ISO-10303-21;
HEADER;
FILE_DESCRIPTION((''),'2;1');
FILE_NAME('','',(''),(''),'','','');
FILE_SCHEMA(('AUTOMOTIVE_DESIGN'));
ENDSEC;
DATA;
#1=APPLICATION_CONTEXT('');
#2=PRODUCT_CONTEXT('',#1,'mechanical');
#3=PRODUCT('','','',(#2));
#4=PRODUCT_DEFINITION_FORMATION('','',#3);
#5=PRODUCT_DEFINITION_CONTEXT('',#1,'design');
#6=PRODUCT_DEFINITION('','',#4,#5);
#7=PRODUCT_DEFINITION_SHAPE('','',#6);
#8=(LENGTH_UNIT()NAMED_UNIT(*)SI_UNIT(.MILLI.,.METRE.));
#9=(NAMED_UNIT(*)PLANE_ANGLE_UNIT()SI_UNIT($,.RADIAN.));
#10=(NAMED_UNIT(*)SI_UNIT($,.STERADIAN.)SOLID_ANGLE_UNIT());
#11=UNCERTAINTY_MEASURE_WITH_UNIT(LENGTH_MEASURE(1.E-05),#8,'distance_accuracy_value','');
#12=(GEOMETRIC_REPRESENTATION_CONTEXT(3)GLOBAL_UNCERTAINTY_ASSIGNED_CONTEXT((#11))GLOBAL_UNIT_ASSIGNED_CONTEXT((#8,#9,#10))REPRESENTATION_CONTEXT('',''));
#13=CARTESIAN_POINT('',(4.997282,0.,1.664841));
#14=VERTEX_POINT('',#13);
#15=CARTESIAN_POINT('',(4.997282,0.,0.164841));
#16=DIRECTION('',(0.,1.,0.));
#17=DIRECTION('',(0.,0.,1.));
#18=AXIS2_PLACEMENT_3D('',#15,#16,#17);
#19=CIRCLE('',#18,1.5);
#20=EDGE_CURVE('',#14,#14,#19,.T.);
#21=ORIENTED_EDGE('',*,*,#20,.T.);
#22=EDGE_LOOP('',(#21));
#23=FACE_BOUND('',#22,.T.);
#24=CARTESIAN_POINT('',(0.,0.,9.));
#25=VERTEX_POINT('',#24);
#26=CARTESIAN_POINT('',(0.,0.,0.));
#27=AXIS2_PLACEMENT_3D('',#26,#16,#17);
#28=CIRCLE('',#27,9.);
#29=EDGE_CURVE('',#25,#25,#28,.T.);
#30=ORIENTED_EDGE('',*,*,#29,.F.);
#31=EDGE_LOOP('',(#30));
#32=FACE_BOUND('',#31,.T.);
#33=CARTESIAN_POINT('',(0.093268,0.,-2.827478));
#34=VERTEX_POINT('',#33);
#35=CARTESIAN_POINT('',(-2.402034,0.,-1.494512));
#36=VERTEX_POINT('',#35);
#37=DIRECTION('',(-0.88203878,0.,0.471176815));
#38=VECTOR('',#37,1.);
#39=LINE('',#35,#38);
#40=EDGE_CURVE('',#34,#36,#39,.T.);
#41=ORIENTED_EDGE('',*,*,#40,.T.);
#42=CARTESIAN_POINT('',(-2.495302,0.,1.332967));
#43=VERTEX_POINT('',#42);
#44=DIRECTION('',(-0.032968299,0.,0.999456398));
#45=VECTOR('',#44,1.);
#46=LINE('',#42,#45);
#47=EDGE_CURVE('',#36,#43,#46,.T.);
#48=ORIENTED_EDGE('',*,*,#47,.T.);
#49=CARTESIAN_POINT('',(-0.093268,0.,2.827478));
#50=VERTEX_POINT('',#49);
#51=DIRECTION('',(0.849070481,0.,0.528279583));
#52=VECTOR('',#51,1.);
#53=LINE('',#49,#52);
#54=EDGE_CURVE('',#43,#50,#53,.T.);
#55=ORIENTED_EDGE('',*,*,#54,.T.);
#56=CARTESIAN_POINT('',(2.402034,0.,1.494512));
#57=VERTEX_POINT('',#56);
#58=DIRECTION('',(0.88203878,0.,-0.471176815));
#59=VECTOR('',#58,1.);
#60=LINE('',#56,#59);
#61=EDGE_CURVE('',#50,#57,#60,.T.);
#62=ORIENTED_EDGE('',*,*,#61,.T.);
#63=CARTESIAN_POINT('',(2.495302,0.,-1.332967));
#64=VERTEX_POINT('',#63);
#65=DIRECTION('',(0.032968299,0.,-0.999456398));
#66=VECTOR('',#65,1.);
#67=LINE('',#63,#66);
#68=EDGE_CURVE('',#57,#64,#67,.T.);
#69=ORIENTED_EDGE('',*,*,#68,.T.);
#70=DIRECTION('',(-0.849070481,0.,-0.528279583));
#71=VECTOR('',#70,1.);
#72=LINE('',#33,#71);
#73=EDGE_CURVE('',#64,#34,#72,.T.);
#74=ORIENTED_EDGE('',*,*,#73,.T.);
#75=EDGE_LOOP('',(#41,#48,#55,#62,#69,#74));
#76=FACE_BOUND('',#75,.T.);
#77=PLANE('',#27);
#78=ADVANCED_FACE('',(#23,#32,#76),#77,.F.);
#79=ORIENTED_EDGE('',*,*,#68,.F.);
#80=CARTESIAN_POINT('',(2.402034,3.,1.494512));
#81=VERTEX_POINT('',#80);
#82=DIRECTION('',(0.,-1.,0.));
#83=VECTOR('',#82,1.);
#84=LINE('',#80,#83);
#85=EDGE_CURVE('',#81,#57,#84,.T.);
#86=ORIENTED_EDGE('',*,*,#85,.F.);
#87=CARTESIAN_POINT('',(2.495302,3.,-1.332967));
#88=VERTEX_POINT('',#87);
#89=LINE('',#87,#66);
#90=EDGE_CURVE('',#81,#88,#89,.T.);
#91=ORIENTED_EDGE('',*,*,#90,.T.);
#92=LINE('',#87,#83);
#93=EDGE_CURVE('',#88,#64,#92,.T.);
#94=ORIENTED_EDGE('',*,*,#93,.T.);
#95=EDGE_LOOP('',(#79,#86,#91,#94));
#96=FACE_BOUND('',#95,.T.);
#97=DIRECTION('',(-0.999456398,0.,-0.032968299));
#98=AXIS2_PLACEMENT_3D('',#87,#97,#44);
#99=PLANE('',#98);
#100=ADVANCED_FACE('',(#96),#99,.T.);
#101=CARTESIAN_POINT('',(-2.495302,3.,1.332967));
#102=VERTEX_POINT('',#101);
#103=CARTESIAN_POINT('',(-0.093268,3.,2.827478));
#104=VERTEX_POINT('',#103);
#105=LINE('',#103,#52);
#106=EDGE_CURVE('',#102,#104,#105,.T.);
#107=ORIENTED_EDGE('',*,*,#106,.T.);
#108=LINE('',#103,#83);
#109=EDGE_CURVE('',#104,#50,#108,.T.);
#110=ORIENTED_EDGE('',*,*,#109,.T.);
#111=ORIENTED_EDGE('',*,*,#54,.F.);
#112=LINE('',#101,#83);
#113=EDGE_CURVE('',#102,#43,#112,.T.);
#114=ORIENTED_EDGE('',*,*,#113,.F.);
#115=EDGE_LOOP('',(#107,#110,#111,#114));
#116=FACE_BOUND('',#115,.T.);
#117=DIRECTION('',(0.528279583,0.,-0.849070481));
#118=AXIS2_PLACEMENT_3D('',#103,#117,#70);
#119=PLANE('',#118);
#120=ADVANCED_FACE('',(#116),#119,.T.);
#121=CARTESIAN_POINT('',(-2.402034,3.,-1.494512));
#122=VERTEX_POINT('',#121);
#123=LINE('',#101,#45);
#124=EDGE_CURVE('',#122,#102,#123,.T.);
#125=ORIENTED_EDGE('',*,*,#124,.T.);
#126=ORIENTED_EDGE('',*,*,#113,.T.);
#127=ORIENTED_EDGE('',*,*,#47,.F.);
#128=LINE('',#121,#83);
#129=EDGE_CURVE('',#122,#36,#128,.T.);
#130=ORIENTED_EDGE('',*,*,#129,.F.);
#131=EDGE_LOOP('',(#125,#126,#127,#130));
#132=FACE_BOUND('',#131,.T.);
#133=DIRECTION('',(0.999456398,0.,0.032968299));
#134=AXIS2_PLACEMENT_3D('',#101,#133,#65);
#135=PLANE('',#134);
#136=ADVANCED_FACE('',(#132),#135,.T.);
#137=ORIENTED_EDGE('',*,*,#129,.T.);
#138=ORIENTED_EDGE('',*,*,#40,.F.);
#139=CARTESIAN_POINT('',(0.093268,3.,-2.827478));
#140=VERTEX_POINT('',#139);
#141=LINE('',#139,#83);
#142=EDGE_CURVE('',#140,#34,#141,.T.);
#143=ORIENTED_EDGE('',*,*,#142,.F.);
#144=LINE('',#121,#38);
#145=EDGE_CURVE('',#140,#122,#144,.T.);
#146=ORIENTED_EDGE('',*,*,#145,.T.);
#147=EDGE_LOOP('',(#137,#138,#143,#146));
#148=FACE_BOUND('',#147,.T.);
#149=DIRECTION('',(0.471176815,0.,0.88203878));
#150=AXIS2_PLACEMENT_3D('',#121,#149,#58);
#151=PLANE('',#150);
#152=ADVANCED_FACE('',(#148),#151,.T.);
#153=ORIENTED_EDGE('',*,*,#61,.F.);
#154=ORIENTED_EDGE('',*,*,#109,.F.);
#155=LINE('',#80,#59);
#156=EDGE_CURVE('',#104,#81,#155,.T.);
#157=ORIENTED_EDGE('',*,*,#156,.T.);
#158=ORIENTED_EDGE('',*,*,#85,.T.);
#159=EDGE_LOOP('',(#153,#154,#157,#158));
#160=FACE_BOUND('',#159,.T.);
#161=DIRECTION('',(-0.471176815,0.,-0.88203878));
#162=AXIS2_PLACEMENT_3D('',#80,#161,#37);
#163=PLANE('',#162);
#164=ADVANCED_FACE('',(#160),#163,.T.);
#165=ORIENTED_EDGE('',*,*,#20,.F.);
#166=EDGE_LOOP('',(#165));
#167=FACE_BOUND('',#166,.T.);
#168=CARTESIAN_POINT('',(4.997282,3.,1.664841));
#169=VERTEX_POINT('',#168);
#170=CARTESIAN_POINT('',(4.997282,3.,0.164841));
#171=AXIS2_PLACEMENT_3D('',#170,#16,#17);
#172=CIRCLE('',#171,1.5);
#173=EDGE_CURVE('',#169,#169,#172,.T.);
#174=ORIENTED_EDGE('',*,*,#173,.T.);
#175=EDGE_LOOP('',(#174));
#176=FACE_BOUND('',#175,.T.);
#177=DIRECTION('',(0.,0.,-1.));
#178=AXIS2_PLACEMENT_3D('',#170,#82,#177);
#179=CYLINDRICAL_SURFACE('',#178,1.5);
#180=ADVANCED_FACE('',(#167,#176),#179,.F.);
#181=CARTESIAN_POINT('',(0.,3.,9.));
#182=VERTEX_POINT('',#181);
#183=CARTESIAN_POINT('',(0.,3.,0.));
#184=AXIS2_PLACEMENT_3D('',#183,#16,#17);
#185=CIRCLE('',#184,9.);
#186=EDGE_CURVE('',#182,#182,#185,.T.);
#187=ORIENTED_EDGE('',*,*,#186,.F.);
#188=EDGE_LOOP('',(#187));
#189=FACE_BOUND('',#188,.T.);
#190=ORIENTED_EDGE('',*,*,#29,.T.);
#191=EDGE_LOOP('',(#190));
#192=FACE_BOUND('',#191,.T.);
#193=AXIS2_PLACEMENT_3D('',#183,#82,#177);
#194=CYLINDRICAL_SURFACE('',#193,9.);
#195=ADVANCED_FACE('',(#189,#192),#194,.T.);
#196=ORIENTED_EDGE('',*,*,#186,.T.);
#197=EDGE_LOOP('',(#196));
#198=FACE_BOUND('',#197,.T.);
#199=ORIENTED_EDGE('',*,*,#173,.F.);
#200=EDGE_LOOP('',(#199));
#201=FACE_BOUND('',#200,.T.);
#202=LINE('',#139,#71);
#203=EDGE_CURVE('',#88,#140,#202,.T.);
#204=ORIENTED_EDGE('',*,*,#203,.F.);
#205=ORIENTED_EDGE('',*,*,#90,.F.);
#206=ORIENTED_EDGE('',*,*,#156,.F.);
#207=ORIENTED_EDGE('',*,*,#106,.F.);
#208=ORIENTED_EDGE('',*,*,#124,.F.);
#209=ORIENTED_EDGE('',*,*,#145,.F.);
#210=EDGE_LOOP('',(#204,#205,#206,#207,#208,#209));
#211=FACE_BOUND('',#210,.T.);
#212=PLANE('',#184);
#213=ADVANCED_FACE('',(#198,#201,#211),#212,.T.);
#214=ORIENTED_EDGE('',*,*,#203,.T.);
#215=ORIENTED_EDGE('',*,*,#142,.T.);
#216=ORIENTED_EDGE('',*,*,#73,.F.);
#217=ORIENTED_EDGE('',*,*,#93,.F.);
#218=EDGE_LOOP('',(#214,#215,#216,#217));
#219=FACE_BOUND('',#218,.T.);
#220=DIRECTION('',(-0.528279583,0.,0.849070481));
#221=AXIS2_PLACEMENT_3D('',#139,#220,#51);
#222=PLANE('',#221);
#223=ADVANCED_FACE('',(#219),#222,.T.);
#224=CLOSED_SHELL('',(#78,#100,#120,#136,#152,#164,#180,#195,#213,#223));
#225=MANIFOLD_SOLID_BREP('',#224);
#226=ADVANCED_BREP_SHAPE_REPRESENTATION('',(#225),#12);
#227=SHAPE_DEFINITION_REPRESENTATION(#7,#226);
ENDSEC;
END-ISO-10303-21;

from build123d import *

# Parameters (mm, degrees)
SKETCH1_R           = 9
SKETCH1_R_2         = 1.5
BOSS_EXTRUDE1_DEPTH = 3


with BuildPart() as part:
    # Sketch1 → Boss-Extrude1 (new body)
    with BuildSketch(Plane(origin=(0, 0, 0), x_dir=(1, 0, 0), z_dir=(0, 1, 0))):
        Circle(SKETCH1_R)
        with Locations((4.997281989, -0.164841493)):
            Circle(SKETCH1_R_2, mode=Mode.SUBTRACT)
        Polygon((2.495302102, 1.332966898), (2.402034248, -1.494511561), (-0.093267855, -2.82747846), (-2.495302102, -1.332966898), (-2.402034248, 1.494511561), (0.093267855, 2.82747846), align=None, mode=Mode.SUBTRACT)
    extrude(amount=BOSS_EXTRUDE1_DEPTH)


solid = part.part
